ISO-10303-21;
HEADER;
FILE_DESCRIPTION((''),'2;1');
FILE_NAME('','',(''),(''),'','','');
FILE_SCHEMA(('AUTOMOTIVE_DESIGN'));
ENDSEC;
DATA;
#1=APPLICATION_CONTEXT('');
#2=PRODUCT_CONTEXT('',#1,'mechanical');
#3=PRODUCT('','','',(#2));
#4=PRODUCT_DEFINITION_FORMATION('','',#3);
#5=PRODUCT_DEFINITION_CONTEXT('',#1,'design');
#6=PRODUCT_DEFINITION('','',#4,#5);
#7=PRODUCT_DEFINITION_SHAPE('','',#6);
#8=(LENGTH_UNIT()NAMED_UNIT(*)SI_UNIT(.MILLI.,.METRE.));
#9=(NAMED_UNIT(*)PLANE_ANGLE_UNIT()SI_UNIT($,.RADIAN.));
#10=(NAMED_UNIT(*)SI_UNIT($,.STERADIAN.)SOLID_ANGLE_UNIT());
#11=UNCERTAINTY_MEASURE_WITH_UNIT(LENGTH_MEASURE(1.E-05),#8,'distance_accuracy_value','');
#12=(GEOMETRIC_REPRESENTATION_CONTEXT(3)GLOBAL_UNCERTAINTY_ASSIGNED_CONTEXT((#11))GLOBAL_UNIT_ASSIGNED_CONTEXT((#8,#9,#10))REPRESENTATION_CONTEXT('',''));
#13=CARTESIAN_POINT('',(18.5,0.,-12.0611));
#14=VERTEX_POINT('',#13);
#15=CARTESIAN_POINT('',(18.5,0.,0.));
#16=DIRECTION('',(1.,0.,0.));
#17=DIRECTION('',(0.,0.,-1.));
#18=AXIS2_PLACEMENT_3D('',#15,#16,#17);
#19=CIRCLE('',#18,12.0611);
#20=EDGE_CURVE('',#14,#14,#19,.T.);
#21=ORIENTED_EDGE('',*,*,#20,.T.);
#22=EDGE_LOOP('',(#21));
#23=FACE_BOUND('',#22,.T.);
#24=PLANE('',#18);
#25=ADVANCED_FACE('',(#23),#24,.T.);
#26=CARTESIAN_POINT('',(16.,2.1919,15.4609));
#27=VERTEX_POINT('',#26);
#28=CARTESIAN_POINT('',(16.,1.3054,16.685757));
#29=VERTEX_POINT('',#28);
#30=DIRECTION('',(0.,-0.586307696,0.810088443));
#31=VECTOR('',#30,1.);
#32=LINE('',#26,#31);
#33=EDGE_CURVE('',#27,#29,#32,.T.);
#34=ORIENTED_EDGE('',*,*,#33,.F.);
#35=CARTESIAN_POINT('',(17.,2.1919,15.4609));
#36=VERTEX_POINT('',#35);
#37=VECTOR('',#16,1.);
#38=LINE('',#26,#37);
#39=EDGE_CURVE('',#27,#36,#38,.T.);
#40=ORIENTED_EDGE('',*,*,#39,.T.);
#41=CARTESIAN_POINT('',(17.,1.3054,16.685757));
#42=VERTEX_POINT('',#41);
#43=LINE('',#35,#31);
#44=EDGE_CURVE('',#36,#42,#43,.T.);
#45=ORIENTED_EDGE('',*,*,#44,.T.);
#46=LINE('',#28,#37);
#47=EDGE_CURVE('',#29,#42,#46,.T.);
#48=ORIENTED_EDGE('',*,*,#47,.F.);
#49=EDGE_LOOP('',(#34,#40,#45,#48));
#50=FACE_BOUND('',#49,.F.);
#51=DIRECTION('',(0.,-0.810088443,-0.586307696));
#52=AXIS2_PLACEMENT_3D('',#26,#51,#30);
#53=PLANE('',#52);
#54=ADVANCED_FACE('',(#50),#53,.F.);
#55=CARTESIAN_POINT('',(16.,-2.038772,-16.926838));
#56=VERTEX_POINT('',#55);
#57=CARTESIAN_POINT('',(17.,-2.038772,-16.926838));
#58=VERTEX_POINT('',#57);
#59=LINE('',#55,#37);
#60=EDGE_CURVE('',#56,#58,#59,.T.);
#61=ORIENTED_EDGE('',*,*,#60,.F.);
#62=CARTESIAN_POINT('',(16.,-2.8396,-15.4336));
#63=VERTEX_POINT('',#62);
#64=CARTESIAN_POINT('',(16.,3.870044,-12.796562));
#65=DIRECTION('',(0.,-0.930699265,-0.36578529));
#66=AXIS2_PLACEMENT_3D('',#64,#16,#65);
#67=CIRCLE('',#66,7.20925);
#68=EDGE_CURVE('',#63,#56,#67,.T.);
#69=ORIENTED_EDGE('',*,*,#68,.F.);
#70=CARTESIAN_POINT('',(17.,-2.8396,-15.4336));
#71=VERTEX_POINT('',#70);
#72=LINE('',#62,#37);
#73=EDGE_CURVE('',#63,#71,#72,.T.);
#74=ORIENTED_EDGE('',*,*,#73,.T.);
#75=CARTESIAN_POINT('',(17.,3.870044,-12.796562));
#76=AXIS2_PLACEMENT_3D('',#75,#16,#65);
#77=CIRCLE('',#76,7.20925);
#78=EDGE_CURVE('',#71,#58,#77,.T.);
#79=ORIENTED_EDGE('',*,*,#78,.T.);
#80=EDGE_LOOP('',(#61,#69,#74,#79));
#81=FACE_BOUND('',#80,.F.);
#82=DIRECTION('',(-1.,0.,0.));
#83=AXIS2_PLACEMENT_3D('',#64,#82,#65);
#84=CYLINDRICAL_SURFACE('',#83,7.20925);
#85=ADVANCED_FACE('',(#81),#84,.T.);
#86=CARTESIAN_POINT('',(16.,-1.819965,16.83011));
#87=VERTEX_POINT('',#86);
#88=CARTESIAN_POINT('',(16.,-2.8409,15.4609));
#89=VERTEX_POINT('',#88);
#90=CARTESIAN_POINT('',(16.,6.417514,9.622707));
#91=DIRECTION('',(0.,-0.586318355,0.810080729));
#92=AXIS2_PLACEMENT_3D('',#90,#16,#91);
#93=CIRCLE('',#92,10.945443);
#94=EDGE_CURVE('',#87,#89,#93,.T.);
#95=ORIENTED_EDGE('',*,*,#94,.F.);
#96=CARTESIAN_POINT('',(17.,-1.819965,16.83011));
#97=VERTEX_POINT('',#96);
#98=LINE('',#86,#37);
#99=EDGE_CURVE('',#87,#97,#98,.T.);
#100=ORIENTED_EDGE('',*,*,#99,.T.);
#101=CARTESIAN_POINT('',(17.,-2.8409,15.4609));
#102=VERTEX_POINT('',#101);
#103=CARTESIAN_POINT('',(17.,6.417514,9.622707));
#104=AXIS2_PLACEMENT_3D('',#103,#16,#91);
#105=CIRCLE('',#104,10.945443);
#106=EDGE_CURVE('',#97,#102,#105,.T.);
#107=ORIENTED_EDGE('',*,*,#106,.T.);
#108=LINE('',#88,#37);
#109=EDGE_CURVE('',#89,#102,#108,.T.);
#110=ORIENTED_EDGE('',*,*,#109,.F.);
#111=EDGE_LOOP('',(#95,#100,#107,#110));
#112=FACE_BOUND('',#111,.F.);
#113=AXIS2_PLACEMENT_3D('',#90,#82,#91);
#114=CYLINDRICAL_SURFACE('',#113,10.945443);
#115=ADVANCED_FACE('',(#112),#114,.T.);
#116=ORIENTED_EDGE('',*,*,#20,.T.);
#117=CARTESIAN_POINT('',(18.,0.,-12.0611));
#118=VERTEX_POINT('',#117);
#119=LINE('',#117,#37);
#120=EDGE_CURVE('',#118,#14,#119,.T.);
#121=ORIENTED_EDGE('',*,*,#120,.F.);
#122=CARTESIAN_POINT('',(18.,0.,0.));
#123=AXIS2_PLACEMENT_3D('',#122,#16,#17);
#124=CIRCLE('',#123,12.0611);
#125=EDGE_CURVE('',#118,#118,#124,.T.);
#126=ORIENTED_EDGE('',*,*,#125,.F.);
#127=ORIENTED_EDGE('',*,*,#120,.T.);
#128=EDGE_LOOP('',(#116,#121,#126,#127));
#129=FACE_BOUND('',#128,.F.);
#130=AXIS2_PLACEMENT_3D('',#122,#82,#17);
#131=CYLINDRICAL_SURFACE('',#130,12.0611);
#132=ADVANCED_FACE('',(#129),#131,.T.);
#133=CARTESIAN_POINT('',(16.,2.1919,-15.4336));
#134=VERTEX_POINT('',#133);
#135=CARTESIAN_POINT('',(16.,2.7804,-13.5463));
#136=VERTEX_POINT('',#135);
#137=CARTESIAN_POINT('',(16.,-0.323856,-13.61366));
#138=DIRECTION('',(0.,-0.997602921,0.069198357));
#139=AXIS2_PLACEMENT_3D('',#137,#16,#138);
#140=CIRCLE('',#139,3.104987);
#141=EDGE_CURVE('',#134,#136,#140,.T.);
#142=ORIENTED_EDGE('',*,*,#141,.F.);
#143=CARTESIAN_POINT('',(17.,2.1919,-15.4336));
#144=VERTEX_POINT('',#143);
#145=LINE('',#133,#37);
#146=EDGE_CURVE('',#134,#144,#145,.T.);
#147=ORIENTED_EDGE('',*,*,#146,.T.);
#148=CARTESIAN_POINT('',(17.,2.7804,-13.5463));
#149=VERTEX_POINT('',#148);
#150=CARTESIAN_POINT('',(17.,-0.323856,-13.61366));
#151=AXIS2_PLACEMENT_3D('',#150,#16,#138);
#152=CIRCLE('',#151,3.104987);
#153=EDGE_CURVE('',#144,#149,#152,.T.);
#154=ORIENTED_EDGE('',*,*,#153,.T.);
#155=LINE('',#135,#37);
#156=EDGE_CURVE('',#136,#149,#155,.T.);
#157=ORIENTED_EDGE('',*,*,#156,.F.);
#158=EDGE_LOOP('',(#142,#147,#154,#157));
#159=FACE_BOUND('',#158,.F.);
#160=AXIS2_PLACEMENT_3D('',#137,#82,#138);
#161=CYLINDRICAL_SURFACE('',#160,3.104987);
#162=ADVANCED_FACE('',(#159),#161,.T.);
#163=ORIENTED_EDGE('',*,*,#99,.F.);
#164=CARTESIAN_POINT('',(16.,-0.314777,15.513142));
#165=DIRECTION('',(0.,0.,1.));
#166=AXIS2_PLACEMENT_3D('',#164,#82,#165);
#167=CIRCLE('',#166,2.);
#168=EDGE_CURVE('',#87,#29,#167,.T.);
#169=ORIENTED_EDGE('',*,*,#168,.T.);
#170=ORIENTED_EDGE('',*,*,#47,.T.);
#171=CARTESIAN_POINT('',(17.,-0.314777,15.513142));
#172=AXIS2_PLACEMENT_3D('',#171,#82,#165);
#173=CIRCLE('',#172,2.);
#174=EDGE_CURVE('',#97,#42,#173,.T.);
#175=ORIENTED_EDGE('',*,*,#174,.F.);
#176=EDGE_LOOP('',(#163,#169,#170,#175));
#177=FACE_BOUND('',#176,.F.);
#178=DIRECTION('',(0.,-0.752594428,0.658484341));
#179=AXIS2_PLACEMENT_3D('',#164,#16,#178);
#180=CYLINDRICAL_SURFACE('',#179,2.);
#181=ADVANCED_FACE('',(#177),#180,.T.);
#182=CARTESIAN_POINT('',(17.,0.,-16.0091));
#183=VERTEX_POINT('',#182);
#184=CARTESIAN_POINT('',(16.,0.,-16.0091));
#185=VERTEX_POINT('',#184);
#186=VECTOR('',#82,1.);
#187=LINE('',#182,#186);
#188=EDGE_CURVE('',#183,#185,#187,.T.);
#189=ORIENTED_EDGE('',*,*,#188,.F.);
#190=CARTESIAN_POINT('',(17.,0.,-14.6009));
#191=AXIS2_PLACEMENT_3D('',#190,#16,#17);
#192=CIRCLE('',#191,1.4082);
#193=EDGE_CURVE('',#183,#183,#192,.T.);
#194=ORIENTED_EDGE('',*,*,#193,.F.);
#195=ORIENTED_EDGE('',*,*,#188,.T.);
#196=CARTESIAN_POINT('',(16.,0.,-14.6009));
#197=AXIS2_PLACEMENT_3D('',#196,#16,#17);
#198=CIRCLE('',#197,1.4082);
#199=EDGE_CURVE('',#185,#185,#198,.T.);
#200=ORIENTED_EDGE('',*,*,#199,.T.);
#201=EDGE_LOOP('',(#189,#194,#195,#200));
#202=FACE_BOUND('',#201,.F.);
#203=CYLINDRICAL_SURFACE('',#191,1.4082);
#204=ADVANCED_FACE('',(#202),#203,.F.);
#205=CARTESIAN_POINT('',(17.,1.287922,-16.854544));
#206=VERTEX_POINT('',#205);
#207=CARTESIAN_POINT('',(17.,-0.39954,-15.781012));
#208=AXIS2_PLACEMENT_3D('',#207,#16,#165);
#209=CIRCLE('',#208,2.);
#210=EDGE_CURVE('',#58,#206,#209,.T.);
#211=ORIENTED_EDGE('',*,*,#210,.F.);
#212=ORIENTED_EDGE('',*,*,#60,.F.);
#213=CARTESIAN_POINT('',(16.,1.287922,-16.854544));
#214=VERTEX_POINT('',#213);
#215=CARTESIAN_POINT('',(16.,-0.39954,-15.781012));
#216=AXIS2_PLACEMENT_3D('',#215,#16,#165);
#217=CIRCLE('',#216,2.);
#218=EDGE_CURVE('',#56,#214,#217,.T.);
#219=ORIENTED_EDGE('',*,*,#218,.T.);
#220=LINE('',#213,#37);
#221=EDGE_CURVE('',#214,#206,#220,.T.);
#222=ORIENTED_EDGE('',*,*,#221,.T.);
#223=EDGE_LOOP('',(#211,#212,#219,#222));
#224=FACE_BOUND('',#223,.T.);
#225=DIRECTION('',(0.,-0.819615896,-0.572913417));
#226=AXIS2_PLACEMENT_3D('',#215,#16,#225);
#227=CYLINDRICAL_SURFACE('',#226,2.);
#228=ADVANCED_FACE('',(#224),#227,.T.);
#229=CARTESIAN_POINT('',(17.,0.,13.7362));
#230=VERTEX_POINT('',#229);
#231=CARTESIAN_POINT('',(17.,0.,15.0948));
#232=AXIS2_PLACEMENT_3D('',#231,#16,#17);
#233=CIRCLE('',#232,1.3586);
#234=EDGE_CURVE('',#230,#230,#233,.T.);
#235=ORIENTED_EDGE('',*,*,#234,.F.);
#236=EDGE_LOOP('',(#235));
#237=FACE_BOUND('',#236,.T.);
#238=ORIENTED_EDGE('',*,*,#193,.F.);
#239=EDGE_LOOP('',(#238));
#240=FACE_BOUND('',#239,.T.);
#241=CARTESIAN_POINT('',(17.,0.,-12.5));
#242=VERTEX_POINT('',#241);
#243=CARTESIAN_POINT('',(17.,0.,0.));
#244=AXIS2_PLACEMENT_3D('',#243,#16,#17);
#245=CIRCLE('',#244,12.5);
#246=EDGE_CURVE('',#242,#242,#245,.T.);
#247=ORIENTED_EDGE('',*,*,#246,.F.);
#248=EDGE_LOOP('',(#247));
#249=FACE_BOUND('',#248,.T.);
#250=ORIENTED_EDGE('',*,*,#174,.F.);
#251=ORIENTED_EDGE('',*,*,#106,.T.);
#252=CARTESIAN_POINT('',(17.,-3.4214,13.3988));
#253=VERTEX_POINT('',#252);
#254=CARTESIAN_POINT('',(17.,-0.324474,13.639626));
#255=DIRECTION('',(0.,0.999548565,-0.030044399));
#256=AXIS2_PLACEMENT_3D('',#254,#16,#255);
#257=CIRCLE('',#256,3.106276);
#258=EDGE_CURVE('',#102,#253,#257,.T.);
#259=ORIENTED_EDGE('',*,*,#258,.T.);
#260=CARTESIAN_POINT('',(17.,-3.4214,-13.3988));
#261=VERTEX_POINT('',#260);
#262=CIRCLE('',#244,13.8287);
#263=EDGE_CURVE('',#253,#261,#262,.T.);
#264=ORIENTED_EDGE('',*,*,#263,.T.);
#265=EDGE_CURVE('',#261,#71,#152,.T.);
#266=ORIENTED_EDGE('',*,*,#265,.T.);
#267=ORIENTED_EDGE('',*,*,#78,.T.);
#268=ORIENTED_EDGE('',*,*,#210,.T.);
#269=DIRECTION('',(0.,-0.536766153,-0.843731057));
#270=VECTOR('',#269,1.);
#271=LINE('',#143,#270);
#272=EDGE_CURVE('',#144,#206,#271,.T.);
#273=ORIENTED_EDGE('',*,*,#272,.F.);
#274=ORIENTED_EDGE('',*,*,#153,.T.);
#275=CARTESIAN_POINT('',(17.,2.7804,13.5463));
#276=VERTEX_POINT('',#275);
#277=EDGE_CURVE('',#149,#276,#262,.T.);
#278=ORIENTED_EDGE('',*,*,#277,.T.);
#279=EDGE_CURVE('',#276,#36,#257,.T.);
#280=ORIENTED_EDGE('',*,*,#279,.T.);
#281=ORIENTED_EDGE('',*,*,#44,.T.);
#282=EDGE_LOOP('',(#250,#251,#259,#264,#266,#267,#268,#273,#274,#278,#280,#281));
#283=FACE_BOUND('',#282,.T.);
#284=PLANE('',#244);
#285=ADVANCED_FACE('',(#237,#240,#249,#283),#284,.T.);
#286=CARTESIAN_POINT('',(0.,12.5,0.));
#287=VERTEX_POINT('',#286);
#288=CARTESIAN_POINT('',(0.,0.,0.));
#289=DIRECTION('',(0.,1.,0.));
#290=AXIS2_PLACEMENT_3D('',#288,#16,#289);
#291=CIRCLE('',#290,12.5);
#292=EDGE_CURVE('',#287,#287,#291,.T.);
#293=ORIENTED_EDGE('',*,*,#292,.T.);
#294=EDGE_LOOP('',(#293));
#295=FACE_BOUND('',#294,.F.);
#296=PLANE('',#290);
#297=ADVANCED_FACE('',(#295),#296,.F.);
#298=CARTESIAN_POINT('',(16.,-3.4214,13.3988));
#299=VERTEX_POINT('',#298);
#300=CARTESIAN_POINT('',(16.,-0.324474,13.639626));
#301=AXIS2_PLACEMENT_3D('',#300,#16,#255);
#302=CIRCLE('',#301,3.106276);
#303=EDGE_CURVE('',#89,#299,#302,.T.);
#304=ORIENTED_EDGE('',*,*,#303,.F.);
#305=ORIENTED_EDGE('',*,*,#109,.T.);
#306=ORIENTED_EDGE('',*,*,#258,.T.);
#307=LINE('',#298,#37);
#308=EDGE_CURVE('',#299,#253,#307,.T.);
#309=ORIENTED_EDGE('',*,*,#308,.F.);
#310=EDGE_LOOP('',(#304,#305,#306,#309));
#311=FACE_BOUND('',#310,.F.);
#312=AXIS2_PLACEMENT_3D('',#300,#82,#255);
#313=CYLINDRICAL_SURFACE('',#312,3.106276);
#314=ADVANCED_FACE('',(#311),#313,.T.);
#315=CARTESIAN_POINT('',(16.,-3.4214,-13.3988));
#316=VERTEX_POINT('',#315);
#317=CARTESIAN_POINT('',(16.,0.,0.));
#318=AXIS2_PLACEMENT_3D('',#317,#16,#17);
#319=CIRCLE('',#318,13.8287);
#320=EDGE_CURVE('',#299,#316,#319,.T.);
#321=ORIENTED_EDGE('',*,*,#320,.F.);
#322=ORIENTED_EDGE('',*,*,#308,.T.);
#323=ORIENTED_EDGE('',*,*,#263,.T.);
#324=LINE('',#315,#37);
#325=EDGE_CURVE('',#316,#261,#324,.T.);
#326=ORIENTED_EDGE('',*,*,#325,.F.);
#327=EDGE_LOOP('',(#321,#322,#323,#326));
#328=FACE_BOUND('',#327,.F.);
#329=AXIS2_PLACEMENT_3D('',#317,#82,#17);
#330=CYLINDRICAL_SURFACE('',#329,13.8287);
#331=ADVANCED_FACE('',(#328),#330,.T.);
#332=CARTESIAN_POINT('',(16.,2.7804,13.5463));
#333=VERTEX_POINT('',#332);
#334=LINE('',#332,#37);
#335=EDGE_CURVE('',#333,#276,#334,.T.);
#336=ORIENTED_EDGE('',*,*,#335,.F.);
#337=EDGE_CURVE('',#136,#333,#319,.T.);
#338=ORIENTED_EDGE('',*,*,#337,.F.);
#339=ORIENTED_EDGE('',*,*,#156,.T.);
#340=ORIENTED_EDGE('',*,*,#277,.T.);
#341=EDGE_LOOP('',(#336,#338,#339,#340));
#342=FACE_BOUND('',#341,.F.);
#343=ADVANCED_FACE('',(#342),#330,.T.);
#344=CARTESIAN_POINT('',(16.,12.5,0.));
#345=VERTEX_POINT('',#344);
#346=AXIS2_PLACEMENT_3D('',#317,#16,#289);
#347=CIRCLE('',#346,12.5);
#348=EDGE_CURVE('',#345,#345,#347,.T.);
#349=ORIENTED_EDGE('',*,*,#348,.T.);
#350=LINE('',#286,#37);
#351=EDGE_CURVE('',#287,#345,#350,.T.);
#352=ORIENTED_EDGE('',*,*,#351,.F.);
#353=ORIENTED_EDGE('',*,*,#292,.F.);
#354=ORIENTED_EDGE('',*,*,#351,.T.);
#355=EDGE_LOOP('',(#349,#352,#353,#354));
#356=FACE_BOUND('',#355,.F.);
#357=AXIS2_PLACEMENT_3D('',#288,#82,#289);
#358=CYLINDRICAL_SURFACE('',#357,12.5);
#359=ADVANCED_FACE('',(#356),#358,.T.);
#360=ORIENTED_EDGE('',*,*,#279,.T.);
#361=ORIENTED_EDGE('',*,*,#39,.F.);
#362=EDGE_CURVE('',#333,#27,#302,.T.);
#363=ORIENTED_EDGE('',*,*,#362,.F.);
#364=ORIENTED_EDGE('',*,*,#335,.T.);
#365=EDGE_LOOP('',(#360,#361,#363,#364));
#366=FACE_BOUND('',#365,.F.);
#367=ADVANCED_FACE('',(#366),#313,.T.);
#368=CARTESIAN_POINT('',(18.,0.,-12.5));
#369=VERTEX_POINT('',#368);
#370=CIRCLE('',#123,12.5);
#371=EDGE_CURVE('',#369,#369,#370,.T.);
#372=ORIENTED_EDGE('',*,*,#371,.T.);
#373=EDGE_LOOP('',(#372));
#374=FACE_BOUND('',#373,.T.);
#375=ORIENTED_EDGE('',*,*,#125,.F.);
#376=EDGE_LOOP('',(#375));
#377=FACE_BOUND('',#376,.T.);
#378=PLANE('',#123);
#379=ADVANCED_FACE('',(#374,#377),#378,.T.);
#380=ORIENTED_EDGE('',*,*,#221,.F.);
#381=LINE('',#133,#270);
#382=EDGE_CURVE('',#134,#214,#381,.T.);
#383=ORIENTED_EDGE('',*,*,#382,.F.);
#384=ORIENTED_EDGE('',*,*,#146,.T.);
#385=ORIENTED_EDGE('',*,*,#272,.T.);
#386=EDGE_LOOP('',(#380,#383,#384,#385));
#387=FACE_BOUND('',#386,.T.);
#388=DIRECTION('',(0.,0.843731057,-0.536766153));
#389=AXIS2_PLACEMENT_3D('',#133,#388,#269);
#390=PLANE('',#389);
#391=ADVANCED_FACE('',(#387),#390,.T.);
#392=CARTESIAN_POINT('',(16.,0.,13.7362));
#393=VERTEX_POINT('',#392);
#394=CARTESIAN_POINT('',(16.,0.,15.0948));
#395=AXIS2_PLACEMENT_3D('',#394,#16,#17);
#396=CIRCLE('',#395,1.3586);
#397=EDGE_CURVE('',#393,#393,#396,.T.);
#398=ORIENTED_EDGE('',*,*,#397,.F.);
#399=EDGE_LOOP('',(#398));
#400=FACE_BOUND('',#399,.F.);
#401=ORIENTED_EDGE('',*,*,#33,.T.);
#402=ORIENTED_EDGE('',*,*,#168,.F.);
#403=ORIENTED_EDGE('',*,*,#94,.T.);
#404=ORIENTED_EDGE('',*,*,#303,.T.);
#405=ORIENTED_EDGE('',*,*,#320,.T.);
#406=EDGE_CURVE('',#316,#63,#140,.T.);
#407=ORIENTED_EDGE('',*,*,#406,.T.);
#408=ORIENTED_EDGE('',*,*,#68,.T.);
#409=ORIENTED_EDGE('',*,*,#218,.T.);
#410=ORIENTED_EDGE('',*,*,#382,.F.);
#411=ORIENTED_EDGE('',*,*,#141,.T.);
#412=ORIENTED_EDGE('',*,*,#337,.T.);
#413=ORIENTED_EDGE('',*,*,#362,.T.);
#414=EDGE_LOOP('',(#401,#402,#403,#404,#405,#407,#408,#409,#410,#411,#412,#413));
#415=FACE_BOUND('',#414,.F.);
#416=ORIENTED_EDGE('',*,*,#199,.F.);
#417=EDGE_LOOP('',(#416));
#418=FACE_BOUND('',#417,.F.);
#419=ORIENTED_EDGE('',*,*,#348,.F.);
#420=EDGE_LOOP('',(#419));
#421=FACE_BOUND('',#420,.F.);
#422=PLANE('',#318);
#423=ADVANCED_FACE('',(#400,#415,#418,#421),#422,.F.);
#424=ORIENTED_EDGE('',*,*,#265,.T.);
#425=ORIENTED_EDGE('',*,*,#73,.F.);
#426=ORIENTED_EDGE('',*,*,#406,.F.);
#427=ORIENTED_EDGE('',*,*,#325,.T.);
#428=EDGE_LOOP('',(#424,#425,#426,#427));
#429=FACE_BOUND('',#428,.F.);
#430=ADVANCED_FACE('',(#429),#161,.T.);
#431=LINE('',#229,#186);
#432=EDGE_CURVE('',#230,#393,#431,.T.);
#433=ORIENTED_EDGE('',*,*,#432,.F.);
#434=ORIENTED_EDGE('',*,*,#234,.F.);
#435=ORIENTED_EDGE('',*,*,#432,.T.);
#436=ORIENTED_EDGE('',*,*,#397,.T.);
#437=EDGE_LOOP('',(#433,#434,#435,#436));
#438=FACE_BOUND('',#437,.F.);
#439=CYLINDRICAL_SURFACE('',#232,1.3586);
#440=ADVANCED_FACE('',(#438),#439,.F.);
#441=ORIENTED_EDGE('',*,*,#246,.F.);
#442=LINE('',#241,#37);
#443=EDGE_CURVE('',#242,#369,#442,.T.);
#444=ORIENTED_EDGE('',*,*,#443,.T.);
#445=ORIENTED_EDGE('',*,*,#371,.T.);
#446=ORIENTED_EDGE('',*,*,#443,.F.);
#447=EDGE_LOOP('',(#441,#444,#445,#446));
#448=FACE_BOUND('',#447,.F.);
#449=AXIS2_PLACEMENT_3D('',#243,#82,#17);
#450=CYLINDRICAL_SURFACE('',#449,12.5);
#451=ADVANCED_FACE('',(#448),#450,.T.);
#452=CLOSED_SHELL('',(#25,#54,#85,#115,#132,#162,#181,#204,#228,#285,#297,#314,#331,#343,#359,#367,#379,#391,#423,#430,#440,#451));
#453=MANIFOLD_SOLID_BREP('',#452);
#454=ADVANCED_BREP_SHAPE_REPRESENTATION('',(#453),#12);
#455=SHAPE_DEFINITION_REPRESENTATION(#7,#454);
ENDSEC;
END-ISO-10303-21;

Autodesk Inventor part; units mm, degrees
ref_plane "YZ Plane" through (0, 0, 0) normal (1, 0, 0) x (0, 1, 0)
ref_plane "XZ Plane" through (0, 0, 0) normal (0, 1, 0) x (-1, 0, 0)
ref_plane "XY Plane" through (0, 0, 0) normal (0, 0, 1) x (1, 0, 0)
sketch "Sketch1" plane through (0, 0, 0) normal (1, 0, 0) x (0, 1, 0)
  circle A0 centre (0, 0) radius 12.5
  dimension "d0" = 25
extrude "Extrusion1" add sketch "Sketch1" along normal blind 16
sketch "Sketch2" plane through (16, 0, 0) normal (1, 0, 0) x (0, 0, -1)
  circle A0 centre (0, 0) radius 13.8287
  arc A1 (-13.5463, 2.7804) -> (-13.3988, -3.4214) centre (-13.6396, -0.3245) ccw
  arc A2 (13.3988, -3.4214) -> (13.5463, 2.7804) centre (13.6137, -0.3239) ccw
  line L0 (-15.4609, 2.1919) -> (-18.4894, 0)
  arc A3 (-18.4894, 0) -> (-15.4609, -2.8409) centre (-9.6242, 6.4162) ccw
  line L1 (15.4336, 2.1919) -> (18.879, 0)
  arc A4 (15.4336, -2.8396) -> (18.879, 0) centre (12.797, 3.8693) ccw
extrude "Extrusion2" add sketch "Sketch2" along normal blind 1
fillet "Fillet1" radius 2 2 edges at (16.5, 0, 18.4894) (16.5, 0, -18.879)
sketch "Sketch3" plane through (17, 0, 0) normal (1, 0, 0) x (0, 0, -1)
  circle A0 centre (0, 0) radius 12.5
extrude "Extrusion3" add sketch "Sketch3" along normal blind 1
sketch "Sketch4" plane through (17, 0, 0) normal (1, 0, 0) x (0, 0, -1)
  circle A0 centre (-15.0948, 0) radius 1.3586
  circle A1 centre (14.6009, 0) radius 1.4082
  point P0 (0, 0)
extrude "Extrusion4" cut sketch "Sketch4" against normal blind 1
sketch "Sketch5" plane through (18, 0, 0) normal (1, 0, 0) x (0, 0, -1)
  point P0 (0, 0)
sketch "Sketch6" plane through (18, 0, 0) normal (1, 0, 0) x (0, 0, -1)
  circle A0 centre (0, 0) radius 12.0611
extrude "Extrusion5" add sketch "Sketch6" along normal blind 0.5
properties part number "PIEZO"
